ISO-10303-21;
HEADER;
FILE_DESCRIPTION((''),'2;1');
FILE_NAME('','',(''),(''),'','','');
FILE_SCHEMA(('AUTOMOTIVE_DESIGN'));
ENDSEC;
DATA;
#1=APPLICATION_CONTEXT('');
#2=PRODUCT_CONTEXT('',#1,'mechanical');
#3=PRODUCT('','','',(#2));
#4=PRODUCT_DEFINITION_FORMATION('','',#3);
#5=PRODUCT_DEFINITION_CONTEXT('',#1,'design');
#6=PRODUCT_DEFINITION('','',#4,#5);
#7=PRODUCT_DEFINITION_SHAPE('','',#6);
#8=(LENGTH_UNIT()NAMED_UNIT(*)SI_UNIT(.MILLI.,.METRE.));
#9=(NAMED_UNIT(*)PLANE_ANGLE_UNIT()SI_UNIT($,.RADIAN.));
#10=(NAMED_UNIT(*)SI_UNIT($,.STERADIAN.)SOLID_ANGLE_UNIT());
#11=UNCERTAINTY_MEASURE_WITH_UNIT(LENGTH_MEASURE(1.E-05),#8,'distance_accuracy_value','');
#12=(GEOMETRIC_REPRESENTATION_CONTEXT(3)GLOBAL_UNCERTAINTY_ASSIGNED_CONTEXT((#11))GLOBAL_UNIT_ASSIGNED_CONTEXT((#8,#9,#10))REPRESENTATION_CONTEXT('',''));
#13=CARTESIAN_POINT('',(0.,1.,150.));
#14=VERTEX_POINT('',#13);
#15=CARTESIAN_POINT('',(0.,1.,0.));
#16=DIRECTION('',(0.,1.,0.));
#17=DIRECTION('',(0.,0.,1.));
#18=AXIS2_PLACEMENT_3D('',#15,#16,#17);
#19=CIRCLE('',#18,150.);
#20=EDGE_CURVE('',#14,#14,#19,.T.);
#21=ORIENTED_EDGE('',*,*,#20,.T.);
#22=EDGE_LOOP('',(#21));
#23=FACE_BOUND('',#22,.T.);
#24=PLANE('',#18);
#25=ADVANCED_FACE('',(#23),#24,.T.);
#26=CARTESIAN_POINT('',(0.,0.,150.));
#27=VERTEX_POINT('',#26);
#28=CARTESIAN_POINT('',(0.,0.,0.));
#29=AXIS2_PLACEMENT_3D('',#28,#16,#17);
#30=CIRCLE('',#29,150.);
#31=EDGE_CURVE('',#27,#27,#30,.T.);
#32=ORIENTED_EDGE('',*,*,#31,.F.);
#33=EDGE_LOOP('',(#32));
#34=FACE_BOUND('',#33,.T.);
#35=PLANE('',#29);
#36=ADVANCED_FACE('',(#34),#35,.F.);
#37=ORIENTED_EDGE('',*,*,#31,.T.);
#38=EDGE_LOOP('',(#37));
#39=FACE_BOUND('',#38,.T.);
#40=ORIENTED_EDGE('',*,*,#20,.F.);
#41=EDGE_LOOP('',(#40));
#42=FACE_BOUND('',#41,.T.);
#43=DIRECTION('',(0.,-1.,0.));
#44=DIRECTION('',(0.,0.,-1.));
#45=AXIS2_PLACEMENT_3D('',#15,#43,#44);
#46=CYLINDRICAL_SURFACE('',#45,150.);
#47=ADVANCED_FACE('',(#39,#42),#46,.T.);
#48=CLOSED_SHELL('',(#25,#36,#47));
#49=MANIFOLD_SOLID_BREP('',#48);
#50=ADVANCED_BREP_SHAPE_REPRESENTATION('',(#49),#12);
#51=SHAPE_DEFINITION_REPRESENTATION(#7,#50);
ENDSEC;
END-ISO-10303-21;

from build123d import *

# Parameters (mm, degrees)
SKETCH1_R           = 150
BOSS_EXTRUDE1_DEPTH = 1


with BuildPart() as part:
    # Sketch1 → Boss-Extrude1 (new body)
    with BuildSketch(Plane(origin=(0, 0, 0), x_dir=(1, 0, 0), z_dir=(0, 1, 0))):
        Circle(SKETCH1_R)
    extrude(amount=BOSS_EXTRUDE1_DEPTH)


solid = part.part
